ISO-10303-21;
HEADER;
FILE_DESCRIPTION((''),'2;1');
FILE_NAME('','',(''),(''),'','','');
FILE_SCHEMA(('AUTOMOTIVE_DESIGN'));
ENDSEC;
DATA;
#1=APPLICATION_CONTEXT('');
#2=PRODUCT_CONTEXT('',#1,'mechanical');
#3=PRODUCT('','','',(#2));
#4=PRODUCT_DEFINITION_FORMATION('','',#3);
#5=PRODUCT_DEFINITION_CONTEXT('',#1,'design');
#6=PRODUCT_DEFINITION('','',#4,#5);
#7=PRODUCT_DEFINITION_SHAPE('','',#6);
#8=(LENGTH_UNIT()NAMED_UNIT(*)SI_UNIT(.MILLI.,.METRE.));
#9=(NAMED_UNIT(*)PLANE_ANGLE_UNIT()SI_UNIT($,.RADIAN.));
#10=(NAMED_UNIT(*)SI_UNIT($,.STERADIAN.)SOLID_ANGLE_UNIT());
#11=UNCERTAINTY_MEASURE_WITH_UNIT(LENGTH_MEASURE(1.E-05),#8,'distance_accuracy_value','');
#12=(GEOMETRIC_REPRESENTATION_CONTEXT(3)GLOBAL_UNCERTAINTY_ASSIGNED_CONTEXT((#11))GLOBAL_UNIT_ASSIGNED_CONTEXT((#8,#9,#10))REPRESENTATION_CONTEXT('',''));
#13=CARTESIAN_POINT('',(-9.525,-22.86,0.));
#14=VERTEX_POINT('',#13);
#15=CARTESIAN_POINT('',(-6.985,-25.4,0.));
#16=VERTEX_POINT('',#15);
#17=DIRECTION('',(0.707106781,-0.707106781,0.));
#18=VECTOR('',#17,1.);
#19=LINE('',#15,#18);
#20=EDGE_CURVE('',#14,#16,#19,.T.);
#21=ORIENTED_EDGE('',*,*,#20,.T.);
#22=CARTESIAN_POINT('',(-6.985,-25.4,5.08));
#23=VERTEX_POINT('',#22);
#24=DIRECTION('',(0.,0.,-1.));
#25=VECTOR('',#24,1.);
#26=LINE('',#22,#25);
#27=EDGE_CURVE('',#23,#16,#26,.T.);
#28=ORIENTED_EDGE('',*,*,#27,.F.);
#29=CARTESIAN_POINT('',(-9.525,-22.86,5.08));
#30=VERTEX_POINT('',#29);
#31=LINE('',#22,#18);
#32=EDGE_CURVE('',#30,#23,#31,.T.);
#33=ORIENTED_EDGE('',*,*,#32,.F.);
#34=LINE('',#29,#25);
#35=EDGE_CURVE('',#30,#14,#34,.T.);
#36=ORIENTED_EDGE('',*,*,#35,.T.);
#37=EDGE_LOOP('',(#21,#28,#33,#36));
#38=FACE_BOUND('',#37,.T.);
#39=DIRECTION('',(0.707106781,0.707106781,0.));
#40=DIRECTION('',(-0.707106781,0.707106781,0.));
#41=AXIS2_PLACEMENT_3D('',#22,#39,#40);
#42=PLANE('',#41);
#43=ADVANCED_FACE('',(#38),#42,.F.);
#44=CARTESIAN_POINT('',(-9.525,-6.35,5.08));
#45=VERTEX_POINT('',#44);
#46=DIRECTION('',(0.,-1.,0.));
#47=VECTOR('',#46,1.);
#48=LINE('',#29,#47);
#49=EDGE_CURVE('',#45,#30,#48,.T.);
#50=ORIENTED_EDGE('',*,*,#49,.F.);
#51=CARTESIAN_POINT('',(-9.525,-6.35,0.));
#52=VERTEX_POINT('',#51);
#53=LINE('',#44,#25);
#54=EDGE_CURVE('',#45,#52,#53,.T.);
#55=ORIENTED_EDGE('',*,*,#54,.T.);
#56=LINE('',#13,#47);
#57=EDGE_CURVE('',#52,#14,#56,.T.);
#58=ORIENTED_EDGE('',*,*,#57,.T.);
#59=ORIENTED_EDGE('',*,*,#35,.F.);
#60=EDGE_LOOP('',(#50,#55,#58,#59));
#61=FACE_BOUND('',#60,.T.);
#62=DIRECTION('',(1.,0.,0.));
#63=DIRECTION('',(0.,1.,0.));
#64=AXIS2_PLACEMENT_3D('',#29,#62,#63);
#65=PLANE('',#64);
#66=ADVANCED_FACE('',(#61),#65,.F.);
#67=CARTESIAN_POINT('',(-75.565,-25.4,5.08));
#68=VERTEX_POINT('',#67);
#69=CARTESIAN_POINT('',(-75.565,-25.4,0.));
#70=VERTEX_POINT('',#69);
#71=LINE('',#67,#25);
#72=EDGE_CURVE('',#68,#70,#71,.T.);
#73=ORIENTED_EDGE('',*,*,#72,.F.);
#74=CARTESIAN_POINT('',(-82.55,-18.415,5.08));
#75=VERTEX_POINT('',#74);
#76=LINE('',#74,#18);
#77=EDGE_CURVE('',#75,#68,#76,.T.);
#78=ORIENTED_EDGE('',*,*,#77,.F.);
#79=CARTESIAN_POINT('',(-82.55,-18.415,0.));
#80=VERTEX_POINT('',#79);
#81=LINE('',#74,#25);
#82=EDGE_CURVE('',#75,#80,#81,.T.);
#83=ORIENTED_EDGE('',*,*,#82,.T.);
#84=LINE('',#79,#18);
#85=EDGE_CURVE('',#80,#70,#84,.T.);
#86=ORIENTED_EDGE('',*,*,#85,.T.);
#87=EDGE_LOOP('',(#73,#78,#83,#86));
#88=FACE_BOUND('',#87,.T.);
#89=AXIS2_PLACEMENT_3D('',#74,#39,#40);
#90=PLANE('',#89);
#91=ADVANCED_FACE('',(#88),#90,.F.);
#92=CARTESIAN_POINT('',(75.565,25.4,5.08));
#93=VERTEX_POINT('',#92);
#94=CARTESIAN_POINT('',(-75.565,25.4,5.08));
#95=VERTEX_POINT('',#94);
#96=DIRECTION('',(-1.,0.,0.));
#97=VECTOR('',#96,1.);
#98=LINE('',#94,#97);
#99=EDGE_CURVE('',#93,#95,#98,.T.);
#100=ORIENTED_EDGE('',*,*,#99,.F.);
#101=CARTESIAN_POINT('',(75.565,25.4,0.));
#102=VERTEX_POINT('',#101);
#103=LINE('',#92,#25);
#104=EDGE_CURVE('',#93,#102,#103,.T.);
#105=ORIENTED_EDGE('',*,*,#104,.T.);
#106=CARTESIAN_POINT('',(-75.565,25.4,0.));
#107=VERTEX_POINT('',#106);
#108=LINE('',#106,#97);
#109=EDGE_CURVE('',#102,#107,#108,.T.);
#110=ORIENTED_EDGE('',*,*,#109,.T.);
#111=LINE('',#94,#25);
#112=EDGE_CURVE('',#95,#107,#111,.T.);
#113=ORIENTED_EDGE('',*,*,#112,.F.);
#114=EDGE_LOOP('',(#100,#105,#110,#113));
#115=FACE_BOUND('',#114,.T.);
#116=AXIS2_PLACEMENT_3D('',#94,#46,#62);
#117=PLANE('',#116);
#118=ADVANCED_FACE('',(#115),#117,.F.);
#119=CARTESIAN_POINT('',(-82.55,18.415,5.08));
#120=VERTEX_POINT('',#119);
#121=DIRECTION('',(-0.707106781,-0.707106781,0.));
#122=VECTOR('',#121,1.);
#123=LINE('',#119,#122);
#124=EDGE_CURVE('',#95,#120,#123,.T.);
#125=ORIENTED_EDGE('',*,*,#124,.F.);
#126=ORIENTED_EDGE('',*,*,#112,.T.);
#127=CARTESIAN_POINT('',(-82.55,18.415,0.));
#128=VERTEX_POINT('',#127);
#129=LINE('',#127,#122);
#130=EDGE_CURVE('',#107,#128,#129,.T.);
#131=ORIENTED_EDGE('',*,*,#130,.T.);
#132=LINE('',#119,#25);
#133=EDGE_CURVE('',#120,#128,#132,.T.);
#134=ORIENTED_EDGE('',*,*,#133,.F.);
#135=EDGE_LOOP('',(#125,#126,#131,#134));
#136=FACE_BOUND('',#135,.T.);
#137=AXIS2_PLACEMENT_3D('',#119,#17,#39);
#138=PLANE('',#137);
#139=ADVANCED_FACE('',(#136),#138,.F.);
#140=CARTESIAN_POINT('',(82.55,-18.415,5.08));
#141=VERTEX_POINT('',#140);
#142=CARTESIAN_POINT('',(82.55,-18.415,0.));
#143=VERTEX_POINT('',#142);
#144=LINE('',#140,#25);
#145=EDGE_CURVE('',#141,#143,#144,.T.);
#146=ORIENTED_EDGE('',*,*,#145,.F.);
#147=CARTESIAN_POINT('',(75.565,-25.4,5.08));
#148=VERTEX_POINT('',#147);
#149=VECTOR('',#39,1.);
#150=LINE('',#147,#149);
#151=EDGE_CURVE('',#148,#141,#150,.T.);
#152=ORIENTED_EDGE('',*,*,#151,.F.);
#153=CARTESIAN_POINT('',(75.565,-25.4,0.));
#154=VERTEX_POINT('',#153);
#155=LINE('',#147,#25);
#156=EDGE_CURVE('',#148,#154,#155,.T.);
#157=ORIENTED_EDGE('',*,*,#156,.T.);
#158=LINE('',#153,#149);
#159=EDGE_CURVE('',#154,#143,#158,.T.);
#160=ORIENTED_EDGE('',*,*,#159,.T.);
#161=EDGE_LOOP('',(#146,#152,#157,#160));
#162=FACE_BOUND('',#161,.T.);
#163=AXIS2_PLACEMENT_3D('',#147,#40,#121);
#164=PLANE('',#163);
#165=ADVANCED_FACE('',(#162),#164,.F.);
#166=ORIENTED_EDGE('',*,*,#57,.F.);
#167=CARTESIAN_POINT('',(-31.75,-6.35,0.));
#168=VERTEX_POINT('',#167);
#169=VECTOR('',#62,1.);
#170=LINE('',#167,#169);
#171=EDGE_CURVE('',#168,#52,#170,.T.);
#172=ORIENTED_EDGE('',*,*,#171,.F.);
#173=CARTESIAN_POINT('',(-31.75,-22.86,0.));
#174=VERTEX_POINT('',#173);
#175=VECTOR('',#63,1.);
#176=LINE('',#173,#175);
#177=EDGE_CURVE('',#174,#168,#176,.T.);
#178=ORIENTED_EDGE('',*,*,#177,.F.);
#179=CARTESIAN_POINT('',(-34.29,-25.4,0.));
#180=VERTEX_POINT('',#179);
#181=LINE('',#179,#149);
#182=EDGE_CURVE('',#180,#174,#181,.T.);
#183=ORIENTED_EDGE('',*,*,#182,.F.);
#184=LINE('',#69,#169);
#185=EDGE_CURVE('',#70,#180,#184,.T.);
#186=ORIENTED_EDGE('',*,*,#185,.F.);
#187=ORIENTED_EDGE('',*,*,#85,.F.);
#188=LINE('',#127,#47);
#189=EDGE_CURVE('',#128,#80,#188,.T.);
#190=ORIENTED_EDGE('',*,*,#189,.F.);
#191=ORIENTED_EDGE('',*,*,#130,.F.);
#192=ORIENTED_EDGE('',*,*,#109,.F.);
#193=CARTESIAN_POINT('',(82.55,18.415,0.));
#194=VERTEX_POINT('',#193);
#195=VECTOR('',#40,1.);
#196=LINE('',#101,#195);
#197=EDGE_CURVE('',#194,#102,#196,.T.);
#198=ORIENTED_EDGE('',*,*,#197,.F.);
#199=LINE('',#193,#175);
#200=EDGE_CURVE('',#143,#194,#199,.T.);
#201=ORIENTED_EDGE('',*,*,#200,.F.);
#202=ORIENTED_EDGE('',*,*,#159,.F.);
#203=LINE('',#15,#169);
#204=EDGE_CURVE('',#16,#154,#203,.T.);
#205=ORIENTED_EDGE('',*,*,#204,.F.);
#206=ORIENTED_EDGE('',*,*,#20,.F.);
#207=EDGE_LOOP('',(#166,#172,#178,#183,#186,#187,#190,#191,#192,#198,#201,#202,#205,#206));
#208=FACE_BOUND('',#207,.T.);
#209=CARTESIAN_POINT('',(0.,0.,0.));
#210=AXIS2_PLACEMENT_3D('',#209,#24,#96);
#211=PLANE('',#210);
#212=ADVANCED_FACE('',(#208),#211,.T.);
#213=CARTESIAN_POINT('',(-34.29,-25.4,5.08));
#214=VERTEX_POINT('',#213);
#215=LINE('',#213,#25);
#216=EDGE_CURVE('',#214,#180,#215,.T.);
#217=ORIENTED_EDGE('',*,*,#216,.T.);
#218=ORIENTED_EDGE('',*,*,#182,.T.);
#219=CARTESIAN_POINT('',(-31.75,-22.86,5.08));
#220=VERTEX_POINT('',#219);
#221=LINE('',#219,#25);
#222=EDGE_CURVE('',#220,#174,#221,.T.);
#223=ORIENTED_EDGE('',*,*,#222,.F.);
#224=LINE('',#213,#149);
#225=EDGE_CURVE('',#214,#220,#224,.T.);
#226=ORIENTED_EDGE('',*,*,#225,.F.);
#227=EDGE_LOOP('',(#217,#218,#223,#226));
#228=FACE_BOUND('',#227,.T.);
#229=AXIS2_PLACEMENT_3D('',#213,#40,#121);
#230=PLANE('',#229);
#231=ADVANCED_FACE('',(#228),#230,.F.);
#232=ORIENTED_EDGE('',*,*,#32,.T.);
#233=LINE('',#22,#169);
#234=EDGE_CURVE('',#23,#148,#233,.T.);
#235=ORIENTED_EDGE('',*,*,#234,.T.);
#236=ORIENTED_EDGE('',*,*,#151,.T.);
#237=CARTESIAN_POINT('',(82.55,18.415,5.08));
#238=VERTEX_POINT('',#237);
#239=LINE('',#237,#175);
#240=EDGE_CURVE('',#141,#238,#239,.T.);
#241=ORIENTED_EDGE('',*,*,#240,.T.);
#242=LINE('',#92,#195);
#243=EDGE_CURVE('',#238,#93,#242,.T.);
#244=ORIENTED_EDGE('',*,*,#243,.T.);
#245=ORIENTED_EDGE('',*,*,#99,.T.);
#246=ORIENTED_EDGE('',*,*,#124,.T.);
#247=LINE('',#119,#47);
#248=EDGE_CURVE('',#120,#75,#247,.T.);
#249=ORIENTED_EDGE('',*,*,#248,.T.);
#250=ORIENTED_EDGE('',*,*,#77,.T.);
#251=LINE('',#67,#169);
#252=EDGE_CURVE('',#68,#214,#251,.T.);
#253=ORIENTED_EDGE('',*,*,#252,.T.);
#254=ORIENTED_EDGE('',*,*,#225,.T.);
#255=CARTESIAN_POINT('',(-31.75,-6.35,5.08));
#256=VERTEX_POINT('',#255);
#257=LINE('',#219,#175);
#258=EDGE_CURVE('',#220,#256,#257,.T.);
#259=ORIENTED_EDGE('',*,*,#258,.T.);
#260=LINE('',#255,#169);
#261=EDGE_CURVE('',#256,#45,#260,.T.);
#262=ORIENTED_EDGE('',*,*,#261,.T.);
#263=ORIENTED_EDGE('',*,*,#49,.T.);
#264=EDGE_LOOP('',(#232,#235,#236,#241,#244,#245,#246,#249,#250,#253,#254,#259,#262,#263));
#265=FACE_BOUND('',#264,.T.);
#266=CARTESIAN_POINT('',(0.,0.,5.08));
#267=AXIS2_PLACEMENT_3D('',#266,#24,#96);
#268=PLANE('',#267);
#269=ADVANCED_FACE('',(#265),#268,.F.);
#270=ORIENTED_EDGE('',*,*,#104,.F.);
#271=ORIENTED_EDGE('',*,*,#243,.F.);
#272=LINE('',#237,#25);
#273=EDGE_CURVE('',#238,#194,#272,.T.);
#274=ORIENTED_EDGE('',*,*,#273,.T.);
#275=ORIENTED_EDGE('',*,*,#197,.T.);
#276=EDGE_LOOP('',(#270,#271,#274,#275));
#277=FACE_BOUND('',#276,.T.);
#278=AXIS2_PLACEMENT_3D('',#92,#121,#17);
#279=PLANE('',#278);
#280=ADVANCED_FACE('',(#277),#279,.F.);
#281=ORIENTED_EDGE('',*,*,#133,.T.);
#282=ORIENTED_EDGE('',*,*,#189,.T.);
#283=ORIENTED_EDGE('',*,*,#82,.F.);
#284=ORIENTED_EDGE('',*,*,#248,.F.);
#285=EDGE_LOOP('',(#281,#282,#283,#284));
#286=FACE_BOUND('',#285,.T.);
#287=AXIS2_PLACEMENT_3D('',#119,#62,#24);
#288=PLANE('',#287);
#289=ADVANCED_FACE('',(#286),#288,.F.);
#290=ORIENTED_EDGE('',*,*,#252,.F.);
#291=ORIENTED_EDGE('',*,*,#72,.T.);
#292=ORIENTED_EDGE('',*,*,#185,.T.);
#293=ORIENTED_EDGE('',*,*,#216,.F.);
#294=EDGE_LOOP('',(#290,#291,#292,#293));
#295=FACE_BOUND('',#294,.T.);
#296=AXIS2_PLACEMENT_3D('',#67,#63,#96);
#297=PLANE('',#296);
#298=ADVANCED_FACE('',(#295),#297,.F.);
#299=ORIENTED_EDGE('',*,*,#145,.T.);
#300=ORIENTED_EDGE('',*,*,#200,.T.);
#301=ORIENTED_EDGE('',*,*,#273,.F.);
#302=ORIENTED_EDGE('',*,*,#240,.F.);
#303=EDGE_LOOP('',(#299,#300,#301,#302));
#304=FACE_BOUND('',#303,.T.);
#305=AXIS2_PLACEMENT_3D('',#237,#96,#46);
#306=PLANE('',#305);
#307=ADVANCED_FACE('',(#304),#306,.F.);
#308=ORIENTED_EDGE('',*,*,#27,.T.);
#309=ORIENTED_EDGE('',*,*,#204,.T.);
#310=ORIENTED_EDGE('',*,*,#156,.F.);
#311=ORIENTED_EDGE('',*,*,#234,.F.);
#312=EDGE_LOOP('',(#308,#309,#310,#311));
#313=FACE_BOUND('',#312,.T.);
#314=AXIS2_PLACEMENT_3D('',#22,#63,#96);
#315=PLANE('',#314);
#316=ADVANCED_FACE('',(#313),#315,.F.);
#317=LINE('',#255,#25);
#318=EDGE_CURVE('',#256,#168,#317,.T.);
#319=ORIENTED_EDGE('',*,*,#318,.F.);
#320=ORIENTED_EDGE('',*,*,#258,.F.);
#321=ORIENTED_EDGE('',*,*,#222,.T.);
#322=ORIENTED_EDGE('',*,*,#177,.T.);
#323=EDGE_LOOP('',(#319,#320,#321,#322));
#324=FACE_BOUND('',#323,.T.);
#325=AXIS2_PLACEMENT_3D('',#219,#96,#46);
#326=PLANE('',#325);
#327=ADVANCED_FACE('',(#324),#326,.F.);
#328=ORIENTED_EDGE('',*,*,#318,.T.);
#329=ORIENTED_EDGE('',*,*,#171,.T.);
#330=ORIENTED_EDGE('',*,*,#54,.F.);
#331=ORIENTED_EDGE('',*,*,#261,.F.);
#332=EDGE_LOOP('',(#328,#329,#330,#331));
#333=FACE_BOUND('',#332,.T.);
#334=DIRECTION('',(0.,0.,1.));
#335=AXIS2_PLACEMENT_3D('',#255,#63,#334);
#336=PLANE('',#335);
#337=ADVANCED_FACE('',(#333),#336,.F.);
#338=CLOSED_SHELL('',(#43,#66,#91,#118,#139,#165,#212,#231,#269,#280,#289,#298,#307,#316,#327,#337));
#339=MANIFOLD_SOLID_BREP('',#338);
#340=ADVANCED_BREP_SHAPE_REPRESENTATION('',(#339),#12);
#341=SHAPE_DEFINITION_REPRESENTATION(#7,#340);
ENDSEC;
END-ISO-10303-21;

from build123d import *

# Parameters (mm, degrees)
BOSS_EXTRUDE1_DEPTH = 5.08


with BuildPart() as part:
    # Sketch1 → Boss-Extrude1 (new body)
    with BuildSketch(Plane.XY):
        Polygon((-75.565, 25.4), (75.565, 25.4), (82.55, 18.415), (82.55, -18.415), (75.565, -25.4), (-6.985, -25.4), (-9.525, -22.86), (-9.525, -6.35), (-31.75, -6.35), (-31.75, -22.86), (-34.29, -25.4), (-75.565, -25.4), (-82.55, -18.415), (-82.55, 18.415), align=None)
    extrude(amount=BOSS_EXTRUDE1_DEPTH)


solid = part.part
